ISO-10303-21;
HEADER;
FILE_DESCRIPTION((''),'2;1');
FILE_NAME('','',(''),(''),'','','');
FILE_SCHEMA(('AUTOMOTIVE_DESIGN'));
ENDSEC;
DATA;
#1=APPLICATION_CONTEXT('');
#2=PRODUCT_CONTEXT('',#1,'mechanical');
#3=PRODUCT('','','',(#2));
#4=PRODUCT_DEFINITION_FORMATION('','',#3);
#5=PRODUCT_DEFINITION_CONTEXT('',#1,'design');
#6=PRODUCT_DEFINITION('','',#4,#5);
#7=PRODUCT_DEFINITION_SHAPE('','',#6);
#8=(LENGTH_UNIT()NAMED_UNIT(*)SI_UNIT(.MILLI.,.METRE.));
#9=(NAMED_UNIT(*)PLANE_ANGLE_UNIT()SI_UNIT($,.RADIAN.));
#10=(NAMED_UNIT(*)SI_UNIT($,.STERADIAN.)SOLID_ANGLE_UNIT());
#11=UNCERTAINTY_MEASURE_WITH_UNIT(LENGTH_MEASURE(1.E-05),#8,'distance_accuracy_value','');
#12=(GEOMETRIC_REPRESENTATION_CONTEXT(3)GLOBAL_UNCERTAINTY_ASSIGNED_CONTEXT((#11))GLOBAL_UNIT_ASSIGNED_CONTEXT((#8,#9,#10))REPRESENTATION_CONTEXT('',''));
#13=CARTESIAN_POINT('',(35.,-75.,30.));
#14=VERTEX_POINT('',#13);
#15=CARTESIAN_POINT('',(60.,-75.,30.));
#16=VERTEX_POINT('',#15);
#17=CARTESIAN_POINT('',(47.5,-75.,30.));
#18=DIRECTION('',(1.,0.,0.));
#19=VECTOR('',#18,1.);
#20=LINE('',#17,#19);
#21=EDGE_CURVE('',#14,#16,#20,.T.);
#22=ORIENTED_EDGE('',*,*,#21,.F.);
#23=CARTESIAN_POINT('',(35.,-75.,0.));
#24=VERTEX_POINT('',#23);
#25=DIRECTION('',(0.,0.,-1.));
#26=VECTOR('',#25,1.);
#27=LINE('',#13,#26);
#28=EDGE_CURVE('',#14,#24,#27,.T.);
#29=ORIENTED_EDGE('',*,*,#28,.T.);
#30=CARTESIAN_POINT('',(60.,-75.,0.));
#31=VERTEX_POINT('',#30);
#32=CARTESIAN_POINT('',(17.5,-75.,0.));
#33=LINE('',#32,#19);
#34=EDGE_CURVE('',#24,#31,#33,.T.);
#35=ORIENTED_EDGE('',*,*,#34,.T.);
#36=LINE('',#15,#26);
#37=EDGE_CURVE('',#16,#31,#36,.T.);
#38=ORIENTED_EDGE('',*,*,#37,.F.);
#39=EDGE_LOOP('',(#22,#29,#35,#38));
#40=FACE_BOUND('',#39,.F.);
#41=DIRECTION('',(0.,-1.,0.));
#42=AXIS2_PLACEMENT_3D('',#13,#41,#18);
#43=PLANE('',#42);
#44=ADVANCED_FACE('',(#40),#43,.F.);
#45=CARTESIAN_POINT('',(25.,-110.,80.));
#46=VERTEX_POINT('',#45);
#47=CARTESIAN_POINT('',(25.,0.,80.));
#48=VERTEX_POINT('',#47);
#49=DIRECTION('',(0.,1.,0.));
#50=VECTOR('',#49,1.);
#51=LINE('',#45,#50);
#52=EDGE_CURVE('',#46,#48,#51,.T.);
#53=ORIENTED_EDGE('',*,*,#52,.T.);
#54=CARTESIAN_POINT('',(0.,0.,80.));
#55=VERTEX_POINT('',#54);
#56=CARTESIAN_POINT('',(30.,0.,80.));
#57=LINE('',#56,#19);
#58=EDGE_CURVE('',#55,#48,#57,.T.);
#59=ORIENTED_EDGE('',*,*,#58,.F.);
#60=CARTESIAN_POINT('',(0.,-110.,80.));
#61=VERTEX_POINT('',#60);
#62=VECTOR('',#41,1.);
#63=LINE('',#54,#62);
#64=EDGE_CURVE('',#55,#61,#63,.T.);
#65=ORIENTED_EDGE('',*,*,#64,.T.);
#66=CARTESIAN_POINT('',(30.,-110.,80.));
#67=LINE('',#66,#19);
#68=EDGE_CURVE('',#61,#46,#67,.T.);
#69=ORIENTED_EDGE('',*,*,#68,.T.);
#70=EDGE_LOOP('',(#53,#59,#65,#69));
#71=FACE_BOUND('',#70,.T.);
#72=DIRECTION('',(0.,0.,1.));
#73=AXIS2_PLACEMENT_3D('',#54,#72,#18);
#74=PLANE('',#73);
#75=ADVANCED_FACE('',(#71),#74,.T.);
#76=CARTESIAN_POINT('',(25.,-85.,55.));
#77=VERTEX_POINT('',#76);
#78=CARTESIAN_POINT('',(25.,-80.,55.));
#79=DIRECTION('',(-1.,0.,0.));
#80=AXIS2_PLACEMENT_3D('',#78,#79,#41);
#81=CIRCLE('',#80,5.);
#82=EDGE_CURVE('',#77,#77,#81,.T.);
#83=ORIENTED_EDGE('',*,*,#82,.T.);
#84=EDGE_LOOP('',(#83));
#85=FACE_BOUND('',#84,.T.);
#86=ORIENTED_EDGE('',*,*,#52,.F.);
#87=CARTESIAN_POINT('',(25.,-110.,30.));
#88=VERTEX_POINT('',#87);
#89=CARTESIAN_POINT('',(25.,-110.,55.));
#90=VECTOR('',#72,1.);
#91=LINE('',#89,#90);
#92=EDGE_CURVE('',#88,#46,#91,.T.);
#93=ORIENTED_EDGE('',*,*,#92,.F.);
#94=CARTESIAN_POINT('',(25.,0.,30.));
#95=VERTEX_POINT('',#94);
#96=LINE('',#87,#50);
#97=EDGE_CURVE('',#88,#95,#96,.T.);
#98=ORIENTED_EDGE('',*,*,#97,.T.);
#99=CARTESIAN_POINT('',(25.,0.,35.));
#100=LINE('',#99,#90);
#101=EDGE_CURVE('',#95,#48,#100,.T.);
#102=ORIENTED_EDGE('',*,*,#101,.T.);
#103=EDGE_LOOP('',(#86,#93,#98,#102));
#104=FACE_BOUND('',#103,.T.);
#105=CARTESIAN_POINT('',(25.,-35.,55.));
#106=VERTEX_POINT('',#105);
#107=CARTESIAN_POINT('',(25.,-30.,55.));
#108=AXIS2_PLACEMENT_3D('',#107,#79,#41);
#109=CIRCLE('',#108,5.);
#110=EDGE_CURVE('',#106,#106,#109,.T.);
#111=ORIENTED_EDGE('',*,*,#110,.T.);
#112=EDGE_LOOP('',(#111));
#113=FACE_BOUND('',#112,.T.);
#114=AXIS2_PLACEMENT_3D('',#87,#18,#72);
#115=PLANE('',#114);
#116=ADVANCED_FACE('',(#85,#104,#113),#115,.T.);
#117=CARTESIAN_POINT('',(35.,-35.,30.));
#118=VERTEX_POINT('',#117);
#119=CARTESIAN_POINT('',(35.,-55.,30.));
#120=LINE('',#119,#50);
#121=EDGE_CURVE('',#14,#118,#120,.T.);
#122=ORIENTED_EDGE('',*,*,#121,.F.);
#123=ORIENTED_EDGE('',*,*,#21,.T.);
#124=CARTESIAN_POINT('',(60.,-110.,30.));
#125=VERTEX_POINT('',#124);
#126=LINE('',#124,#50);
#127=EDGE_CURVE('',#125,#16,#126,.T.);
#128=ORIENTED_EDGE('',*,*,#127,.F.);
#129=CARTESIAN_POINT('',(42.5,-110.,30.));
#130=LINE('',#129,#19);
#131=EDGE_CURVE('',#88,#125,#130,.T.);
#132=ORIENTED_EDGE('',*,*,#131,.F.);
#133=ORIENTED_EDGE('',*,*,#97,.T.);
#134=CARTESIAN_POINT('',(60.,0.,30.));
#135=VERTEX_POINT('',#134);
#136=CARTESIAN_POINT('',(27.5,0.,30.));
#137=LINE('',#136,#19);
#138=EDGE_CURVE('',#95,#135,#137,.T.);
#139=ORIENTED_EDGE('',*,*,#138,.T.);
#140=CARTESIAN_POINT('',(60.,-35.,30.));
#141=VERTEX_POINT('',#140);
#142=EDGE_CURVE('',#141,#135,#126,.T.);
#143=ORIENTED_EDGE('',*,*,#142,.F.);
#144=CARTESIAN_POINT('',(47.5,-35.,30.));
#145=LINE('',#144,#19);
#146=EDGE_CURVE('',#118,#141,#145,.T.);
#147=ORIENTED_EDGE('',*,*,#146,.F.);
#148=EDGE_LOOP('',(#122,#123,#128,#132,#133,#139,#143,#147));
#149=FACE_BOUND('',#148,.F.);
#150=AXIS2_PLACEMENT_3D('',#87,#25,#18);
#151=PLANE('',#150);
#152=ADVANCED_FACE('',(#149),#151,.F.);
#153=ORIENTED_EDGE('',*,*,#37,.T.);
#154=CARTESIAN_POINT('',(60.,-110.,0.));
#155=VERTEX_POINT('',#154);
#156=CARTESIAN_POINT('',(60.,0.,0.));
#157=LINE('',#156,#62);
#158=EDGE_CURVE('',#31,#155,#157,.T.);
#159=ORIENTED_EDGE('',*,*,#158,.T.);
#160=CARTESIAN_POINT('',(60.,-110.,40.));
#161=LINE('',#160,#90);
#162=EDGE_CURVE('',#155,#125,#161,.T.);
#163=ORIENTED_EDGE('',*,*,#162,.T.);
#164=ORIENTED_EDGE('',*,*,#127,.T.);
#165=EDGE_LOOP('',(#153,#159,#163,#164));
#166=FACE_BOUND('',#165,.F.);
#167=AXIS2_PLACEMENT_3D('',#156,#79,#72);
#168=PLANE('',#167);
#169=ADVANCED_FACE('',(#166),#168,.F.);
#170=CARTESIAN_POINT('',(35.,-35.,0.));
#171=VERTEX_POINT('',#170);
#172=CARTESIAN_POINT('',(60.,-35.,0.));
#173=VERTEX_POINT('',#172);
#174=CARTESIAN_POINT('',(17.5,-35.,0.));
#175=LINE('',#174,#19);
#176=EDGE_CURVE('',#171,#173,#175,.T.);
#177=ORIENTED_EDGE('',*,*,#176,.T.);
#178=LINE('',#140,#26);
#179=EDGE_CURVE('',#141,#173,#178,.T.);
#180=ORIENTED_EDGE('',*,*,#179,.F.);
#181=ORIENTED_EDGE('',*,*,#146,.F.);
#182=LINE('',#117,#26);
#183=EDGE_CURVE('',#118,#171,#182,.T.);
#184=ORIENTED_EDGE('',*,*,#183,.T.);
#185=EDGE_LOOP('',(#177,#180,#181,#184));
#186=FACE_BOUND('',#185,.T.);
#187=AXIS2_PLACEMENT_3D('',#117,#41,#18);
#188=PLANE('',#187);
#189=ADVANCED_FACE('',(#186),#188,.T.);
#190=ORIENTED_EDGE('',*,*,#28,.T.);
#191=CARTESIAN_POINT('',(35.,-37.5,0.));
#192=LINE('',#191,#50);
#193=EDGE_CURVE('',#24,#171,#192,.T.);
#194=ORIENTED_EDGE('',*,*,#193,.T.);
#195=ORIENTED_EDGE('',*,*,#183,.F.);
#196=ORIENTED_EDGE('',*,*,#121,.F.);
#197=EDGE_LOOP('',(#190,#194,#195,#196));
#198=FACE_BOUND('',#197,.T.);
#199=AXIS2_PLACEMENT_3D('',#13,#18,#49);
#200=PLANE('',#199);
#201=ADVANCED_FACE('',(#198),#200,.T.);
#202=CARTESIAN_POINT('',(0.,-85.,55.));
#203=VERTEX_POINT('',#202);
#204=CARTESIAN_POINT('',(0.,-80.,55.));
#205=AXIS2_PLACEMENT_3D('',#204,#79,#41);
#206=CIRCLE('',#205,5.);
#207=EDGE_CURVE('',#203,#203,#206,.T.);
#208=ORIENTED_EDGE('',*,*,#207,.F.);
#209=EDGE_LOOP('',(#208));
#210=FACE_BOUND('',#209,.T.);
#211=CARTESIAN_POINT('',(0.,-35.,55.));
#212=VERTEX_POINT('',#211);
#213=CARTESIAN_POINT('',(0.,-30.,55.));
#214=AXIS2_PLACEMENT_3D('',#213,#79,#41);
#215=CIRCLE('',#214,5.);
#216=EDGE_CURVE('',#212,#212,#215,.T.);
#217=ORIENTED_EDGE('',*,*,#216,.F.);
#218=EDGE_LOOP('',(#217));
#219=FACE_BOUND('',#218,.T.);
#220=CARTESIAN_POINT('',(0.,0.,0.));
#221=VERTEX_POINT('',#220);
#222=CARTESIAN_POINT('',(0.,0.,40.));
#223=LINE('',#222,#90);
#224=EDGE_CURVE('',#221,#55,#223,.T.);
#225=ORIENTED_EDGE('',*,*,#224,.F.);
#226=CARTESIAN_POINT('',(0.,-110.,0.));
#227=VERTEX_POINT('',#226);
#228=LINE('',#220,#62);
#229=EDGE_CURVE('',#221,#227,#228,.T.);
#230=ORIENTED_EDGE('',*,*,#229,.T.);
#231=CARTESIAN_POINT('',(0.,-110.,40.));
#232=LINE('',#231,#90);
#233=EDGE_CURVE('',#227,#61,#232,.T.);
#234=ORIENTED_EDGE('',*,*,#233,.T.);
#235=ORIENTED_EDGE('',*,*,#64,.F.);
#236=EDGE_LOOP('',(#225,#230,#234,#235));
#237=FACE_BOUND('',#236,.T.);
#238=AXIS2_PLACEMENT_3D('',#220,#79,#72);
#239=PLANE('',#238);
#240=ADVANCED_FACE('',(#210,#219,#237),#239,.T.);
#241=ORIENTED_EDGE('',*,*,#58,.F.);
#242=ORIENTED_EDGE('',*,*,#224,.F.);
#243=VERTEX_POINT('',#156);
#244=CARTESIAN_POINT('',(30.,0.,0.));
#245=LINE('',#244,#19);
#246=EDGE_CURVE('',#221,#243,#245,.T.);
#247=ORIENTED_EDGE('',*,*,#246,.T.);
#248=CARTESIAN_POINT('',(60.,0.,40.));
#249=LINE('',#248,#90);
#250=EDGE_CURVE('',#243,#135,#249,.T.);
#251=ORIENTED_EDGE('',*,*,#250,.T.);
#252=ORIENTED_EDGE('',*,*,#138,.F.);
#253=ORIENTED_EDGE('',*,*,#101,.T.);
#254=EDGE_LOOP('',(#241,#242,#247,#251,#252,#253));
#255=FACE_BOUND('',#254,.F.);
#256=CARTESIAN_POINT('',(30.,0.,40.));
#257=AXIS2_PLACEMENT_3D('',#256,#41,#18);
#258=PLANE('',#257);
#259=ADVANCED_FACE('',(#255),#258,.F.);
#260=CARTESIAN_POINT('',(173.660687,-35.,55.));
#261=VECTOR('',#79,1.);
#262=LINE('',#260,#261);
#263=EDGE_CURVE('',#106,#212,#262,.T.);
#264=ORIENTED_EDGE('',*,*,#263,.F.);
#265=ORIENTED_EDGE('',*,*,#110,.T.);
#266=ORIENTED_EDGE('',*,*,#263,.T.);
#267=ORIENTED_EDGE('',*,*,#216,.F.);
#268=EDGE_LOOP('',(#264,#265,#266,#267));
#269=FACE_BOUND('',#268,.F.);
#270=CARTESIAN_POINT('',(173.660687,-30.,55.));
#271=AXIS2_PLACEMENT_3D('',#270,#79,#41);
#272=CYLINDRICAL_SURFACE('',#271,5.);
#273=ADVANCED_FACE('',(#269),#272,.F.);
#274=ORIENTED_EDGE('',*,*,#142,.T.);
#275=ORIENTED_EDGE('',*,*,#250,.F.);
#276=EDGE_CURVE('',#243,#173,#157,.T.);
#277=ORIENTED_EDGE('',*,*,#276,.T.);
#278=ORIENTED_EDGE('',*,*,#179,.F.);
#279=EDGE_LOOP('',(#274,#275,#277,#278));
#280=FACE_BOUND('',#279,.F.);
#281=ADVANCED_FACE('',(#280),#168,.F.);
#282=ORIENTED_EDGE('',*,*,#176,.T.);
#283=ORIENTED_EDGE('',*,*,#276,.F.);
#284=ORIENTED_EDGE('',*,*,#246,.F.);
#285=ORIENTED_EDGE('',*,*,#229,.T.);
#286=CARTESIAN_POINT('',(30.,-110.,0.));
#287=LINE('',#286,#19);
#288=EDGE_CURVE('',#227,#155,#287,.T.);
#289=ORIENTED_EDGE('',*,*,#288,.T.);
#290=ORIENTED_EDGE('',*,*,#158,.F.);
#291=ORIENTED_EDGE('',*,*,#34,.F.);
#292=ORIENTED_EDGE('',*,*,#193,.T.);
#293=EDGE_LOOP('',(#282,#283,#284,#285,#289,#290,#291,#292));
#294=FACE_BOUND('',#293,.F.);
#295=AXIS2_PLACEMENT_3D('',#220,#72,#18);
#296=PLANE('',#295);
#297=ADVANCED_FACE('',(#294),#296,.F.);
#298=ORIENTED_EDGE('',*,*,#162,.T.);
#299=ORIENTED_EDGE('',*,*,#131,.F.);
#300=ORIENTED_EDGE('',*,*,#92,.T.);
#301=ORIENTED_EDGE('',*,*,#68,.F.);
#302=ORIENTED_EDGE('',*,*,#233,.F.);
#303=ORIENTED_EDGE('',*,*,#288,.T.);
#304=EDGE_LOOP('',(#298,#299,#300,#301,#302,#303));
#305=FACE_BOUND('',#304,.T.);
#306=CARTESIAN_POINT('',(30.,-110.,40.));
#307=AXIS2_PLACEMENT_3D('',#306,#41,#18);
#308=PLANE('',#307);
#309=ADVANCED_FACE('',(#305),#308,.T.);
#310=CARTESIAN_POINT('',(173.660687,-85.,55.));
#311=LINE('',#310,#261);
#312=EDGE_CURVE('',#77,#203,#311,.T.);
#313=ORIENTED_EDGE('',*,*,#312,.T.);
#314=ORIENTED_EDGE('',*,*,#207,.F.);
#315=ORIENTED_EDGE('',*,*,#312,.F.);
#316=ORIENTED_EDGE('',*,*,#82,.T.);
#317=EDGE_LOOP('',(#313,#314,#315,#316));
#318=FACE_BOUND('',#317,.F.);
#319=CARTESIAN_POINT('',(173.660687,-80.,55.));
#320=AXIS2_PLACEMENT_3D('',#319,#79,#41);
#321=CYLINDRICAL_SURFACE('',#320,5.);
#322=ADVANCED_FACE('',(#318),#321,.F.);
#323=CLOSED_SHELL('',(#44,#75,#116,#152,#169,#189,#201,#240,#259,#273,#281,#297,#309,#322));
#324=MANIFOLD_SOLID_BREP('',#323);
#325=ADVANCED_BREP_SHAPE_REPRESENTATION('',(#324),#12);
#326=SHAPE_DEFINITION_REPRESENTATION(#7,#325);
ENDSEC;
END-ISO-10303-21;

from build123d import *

# Parameters (mm, degrees)
F0_W     = 60
F0_H     = 80
F1_DEPTH = 110
F2_W     = 35
F2_H     = 50
F3_DEPTH = 110.001
F4_W     = 25
F4_H     = 40
F5_DEPTH = 30.001
F7_D     = 10


with BuildPart() as f1:
    # F0 (on Front) → F1 (new body)
    with BuildSketch(Plane.XZ):
        with Locations((30, 40)):
            Rectangle(F0_W, F0_H)
    extrude(amount=F1_DEPTH)

    # F2 (on face) → F3 (cut, through all)
    with BuildSketch(Plane.XZ.offset(110)):
        with Locations((42.5, 55)):
            Rectangle(F2_W, F2_H)
    extrude(amount=-F3_DEPTH, mode=Mode.SUBTRACT)

    # F4 (on face) → F5 (cut, through all)
    with BuildSketch(Plane.XY.offset(30)):
        with Locations((47.5, -55)):
            Rectangle(F4_W, F4_H)
    extrude(amount=-F5_DEPTH, mode=Mode.SUBTRACT)

    # F7 (through all)
    with Locations(Plane.YZ.offset(25)):
        with Locations((-30, 55), (-80, 55)):
            Hole(F7_D / 2)


solid = f1.part
